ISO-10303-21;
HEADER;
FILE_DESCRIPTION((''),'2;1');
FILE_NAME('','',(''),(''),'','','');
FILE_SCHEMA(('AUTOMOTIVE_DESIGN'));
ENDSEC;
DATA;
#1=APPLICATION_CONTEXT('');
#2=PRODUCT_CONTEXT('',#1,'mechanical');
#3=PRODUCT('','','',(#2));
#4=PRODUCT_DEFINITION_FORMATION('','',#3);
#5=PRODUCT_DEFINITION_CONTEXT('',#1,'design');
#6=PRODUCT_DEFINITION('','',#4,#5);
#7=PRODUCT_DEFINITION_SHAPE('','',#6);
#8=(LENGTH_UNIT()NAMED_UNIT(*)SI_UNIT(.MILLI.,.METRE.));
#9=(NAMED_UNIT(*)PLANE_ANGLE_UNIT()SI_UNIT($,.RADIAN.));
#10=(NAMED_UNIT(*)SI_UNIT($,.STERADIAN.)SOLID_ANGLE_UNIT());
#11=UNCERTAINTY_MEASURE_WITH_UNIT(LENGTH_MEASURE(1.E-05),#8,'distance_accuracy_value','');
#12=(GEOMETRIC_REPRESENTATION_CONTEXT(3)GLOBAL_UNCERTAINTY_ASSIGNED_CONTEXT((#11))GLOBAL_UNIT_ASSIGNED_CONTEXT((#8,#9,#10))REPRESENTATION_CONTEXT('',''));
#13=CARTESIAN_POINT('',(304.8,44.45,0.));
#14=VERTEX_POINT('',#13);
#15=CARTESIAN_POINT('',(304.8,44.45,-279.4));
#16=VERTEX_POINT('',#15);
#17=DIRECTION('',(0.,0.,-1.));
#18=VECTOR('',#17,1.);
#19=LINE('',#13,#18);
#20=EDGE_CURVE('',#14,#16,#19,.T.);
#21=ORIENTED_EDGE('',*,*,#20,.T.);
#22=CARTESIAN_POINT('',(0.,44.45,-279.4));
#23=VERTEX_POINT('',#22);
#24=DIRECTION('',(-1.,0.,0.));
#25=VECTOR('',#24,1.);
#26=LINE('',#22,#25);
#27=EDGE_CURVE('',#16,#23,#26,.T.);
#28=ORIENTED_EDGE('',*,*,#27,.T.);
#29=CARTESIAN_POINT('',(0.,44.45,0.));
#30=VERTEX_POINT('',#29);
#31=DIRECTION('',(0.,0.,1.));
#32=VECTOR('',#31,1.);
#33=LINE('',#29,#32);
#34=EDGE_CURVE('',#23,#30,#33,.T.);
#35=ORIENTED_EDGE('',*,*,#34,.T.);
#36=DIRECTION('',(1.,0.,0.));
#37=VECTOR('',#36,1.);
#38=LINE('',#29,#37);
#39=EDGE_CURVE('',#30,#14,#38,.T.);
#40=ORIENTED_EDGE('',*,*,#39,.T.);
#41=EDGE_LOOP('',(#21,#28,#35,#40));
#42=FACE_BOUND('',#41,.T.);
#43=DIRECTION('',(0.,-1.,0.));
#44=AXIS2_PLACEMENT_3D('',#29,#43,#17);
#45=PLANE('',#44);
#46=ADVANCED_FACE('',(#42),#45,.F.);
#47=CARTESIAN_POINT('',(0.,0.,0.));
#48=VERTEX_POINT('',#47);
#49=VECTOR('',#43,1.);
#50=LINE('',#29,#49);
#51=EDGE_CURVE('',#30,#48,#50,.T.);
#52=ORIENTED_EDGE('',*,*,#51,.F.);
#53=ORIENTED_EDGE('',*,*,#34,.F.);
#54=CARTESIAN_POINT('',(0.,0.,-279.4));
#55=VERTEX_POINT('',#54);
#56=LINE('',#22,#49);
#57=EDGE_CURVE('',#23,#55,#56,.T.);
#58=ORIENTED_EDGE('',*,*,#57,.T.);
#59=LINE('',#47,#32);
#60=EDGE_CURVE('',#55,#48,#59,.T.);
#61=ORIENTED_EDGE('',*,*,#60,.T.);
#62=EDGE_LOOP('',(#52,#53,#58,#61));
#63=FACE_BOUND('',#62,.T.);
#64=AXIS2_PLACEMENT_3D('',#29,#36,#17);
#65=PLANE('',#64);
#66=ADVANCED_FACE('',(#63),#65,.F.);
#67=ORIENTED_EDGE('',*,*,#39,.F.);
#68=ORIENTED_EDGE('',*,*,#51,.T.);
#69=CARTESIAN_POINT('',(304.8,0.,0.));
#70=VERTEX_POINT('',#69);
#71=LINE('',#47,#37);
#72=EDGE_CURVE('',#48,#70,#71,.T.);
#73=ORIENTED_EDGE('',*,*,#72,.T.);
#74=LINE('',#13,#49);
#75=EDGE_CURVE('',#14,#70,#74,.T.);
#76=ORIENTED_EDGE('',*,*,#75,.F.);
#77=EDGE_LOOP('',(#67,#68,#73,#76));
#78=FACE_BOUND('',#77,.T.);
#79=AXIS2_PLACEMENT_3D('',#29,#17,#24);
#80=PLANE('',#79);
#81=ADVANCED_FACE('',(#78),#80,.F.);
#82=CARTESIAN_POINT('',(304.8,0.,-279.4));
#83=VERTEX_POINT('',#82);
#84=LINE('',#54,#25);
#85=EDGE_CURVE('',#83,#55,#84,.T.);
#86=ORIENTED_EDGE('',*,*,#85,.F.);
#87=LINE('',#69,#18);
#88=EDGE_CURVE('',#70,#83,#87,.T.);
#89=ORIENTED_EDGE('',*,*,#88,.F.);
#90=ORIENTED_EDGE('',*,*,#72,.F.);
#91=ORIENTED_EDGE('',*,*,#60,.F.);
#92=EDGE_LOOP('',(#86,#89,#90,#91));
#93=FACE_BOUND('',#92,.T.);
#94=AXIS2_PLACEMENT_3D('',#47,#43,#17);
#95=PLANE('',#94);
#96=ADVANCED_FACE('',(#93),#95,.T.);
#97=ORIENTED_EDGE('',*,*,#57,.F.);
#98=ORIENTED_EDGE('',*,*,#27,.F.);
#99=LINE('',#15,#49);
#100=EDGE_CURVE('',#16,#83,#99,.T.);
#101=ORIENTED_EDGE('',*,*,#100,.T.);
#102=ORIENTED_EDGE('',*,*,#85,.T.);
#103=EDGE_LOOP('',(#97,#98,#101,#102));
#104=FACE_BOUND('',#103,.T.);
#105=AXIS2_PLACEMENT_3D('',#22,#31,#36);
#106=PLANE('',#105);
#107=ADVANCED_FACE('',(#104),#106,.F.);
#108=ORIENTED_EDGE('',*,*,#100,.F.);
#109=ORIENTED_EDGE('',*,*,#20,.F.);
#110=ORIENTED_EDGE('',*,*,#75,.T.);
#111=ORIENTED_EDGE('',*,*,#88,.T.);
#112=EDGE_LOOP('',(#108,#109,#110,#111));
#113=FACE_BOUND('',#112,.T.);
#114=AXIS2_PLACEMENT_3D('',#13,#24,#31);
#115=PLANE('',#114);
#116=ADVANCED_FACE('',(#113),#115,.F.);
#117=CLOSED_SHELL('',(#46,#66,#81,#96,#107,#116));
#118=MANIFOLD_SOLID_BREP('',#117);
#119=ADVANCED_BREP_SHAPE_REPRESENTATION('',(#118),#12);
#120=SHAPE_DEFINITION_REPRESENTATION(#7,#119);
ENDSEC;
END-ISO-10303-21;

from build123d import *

# Parameters (mm, degrees)
SKETCH1_W           = 304.8
SKETCH1_H           = 279.4
BOSS_EXTRUDE1_DEPTH = 44.45


with BuildPart() as part:
    # Sketch1 → Boss-Extrude1 (new body)
    with BuildSketch(Plane(origin=(0, 0, 0), x_dir=(1, 0, 0), z_dir=(0, 1, 0))):
        with Locations((152.4, 139.7)):
            Rectangle(SKETCH1_W, SKETCH1_H)
    extrude(amount=BOSS_EXTRUDE1_DEPTH)


solid = part.part
